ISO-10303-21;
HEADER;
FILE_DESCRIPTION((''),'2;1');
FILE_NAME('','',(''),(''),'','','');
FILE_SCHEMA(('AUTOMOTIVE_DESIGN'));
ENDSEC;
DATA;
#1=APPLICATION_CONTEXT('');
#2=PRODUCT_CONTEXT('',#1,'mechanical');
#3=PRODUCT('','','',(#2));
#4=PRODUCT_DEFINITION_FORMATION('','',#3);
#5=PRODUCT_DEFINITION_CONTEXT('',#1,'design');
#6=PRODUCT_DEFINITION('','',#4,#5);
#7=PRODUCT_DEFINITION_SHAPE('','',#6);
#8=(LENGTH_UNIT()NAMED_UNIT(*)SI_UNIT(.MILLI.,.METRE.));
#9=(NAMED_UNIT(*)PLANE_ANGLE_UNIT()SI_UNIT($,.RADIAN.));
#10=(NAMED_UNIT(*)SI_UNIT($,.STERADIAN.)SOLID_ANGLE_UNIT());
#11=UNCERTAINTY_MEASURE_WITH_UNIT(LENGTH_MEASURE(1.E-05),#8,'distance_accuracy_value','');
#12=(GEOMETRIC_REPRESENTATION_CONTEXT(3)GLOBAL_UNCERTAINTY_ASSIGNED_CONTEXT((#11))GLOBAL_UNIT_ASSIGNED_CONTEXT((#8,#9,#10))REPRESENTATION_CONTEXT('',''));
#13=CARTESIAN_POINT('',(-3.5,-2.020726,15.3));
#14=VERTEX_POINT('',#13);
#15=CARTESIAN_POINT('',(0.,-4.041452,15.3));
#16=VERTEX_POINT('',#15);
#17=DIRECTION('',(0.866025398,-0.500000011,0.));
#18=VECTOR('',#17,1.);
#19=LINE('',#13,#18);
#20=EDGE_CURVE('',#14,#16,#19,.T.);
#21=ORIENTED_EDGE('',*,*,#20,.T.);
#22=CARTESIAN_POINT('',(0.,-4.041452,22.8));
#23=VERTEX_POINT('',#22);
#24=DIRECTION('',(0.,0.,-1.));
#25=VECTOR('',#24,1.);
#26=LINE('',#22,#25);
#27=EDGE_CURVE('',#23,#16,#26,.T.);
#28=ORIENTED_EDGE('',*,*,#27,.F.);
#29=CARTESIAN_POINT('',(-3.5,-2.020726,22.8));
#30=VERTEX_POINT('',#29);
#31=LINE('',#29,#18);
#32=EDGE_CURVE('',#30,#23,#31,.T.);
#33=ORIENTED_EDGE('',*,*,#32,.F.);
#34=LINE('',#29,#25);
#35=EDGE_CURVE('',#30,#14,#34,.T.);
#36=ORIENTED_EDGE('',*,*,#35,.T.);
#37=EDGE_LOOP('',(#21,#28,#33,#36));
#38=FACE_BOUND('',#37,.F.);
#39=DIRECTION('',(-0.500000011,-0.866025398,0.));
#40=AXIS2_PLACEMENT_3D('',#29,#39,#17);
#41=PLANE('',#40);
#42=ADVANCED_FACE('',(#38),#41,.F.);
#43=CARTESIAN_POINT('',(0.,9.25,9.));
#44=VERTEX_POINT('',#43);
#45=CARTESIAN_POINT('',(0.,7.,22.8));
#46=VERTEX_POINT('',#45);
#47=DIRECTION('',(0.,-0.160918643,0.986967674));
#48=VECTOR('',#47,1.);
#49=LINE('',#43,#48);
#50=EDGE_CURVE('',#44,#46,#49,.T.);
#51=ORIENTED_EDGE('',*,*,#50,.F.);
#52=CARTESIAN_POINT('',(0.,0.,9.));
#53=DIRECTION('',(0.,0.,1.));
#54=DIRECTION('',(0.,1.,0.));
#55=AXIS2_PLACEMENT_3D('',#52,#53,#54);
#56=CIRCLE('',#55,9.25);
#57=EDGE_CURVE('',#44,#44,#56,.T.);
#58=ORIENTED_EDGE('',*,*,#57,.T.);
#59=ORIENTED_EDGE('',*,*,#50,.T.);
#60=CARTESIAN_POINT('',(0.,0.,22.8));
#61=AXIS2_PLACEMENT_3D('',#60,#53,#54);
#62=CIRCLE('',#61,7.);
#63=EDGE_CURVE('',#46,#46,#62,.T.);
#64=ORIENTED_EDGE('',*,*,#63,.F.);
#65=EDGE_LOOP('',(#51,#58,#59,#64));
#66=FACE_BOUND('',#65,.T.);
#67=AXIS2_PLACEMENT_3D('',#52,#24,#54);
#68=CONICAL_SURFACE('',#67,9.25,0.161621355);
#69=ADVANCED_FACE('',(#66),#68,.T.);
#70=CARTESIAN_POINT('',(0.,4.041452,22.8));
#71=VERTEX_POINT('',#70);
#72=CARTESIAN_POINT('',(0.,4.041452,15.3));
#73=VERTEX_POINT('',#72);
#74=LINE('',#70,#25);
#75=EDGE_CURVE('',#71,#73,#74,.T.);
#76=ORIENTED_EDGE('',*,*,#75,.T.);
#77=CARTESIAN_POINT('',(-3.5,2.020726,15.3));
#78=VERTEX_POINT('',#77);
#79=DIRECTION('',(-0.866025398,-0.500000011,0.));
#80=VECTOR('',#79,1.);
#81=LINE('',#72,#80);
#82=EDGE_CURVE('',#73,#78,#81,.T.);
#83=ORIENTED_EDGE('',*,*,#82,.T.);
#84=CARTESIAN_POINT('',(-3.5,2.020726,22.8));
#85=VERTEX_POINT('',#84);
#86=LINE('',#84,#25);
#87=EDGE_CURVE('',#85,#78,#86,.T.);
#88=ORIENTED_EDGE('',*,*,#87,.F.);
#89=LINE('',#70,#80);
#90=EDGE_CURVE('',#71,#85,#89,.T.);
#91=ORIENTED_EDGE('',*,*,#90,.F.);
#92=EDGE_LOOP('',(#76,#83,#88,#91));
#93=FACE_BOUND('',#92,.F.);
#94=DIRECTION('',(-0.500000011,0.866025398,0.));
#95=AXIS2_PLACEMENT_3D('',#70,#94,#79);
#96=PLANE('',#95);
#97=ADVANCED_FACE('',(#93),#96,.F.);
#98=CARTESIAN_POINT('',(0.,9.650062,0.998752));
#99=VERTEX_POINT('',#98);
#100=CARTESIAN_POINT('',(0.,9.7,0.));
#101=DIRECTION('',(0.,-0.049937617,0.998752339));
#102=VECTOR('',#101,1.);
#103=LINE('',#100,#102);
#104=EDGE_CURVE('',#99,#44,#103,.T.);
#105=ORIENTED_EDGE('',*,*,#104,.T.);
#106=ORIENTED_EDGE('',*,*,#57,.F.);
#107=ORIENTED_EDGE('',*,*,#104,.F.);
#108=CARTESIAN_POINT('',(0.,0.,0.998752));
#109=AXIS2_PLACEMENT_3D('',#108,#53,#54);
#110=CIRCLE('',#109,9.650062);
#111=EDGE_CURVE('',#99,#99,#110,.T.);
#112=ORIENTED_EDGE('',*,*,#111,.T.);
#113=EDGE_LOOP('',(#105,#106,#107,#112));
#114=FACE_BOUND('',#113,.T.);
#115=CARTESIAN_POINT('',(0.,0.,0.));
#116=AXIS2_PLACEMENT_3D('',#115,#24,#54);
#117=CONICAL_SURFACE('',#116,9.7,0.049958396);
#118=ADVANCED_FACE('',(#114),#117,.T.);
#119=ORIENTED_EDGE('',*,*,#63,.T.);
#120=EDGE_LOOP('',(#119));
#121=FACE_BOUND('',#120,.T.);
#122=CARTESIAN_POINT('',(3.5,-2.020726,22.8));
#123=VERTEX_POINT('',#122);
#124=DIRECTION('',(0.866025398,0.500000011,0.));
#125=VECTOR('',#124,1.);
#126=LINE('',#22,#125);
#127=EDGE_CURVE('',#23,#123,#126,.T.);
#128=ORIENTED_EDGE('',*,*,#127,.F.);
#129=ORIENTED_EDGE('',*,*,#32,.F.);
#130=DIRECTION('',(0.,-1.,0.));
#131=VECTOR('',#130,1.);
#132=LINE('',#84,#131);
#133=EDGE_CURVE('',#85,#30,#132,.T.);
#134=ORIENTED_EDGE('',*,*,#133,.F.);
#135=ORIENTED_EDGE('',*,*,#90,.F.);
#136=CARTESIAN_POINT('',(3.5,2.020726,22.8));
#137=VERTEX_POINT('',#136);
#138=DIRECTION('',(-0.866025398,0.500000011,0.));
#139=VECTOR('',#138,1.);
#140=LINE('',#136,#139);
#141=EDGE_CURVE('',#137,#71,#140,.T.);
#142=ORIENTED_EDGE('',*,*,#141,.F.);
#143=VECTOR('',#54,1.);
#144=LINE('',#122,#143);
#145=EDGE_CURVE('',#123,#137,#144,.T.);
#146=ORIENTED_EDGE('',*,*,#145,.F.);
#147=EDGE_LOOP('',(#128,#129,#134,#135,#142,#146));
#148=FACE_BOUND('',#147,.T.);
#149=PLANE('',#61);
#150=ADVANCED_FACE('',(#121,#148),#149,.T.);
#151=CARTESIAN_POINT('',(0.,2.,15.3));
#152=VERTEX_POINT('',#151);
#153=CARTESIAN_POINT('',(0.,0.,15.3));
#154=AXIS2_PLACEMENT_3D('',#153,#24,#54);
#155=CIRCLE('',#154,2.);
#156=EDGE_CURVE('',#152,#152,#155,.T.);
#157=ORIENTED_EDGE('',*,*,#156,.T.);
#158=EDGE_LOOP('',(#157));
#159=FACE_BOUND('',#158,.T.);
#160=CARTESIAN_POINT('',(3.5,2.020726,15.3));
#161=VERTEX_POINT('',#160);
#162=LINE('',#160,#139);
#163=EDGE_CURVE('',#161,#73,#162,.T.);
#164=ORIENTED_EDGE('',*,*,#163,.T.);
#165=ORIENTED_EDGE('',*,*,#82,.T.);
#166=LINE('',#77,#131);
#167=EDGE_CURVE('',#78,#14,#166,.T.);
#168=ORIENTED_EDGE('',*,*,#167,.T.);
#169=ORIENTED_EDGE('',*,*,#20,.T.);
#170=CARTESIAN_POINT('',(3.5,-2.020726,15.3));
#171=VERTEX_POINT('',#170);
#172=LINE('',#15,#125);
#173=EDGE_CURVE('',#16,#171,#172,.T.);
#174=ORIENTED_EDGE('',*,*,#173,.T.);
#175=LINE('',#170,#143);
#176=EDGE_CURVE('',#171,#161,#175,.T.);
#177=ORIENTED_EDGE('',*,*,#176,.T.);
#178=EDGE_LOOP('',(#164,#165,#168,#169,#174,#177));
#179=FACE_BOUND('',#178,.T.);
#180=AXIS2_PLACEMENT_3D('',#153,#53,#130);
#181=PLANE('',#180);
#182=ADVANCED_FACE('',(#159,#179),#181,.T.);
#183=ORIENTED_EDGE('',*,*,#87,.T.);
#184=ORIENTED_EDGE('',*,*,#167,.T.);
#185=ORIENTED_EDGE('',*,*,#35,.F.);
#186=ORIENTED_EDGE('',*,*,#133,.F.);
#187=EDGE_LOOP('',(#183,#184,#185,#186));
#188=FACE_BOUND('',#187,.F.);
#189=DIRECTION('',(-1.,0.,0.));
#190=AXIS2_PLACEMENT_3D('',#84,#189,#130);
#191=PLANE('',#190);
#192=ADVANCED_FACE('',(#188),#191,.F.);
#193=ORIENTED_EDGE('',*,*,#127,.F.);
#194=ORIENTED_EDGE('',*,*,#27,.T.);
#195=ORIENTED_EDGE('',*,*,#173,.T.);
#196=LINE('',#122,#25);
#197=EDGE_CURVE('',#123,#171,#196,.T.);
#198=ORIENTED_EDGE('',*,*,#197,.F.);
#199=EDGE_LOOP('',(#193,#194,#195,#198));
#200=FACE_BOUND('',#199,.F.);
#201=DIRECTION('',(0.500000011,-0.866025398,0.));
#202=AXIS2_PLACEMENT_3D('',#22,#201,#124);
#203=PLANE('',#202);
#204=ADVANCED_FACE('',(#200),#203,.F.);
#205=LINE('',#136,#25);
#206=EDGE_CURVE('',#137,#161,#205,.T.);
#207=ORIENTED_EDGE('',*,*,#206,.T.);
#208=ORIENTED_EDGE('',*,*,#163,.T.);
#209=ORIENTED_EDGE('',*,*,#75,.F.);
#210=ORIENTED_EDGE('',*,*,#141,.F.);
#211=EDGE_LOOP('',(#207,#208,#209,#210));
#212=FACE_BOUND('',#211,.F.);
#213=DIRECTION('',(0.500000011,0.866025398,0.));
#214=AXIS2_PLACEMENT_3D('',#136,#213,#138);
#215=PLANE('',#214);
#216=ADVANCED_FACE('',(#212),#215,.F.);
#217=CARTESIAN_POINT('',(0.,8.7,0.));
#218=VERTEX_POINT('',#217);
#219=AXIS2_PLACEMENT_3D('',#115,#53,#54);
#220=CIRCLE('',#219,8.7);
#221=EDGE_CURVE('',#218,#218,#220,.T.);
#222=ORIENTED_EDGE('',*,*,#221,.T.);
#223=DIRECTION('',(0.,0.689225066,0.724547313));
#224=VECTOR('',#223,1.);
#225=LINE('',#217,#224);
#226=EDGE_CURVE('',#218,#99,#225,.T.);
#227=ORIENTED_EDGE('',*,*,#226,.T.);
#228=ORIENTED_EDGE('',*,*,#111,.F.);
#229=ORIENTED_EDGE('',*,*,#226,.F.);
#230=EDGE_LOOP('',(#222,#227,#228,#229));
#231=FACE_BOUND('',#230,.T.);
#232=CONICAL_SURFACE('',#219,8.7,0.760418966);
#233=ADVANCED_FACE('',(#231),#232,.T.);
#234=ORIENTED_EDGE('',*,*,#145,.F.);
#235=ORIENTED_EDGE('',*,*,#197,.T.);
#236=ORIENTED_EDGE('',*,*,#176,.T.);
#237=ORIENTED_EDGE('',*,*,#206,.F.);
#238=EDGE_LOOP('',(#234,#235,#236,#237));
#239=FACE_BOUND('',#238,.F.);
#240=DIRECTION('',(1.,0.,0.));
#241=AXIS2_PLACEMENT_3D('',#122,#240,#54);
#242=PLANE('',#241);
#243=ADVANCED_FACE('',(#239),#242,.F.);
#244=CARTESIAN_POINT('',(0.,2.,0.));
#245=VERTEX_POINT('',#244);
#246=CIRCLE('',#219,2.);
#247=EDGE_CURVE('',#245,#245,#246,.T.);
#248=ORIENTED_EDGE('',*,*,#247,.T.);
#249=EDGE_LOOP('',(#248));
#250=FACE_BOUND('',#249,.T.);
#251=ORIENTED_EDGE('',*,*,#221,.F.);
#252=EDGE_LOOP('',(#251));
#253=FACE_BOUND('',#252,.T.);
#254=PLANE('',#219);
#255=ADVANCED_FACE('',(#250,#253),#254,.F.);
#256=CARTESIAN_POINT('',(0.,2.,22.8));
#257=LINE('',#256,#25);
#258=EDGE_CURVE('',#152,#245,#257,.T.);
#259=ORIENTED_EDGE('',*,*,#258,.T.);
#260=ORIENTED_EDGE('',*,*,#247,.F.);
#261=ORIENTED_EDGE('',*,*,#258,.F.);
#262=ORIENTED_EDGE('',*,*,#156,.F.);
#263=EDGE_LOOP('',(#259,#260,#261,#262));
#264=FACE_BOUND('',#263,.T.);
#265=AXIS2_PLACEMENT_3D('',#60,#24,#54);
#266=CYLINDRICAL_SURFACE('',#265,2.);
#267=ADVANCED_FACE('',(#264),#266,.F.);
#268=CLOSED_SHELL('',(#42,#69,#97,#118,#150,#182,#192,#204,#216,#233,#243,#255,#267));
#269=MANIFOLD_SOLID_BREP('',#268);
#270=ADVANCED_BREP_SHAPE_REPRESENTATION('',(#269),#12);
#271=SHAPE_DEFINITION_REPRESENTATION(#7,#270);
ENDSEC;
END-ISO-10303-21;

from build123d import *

# Parameters (mm, degrees)
POCKET_DEPTH = 7.5
CHAMFER_SIZE = 1


with BuildPart() as part:
    # Sketch → Revolution (revolve)
    with BuildSketch(Plane.YZ):
        Polygon((2, 0), (9.7, 0), (9.25, 9), (7, 22.8), (2, 22.8), align=None)
    revolve(axis=Axis((0, 0, 0), (0, 0, 1)))

    # Sketch001 (on Face4 of Revolution) → Pocket (cut)
    with BuildSketch(Plane(origin=(0, 0, 22.8), x_dir=(0, -1, 0), z_dir=(0, 0, 1))):
        Polygon((4.041452, 0), (2.020726, 3.5), (-2.020726, 3.5), (-4.041452, 0), (-2.020726, -3.5), (2.020726, -3.5), align=None)
    extrude(amount=-POCKET_DEPTH, mode=Mode.SUBTRACT)

    # Chamfer
    chamfer_edges = [part.edges().sort_by_distance(p)[0] for p in [
        (0, -9.7, 0),
    ]]
    chamfer(chamfer_edges, length=CHAMFER_SIZE)


solid = part.part
